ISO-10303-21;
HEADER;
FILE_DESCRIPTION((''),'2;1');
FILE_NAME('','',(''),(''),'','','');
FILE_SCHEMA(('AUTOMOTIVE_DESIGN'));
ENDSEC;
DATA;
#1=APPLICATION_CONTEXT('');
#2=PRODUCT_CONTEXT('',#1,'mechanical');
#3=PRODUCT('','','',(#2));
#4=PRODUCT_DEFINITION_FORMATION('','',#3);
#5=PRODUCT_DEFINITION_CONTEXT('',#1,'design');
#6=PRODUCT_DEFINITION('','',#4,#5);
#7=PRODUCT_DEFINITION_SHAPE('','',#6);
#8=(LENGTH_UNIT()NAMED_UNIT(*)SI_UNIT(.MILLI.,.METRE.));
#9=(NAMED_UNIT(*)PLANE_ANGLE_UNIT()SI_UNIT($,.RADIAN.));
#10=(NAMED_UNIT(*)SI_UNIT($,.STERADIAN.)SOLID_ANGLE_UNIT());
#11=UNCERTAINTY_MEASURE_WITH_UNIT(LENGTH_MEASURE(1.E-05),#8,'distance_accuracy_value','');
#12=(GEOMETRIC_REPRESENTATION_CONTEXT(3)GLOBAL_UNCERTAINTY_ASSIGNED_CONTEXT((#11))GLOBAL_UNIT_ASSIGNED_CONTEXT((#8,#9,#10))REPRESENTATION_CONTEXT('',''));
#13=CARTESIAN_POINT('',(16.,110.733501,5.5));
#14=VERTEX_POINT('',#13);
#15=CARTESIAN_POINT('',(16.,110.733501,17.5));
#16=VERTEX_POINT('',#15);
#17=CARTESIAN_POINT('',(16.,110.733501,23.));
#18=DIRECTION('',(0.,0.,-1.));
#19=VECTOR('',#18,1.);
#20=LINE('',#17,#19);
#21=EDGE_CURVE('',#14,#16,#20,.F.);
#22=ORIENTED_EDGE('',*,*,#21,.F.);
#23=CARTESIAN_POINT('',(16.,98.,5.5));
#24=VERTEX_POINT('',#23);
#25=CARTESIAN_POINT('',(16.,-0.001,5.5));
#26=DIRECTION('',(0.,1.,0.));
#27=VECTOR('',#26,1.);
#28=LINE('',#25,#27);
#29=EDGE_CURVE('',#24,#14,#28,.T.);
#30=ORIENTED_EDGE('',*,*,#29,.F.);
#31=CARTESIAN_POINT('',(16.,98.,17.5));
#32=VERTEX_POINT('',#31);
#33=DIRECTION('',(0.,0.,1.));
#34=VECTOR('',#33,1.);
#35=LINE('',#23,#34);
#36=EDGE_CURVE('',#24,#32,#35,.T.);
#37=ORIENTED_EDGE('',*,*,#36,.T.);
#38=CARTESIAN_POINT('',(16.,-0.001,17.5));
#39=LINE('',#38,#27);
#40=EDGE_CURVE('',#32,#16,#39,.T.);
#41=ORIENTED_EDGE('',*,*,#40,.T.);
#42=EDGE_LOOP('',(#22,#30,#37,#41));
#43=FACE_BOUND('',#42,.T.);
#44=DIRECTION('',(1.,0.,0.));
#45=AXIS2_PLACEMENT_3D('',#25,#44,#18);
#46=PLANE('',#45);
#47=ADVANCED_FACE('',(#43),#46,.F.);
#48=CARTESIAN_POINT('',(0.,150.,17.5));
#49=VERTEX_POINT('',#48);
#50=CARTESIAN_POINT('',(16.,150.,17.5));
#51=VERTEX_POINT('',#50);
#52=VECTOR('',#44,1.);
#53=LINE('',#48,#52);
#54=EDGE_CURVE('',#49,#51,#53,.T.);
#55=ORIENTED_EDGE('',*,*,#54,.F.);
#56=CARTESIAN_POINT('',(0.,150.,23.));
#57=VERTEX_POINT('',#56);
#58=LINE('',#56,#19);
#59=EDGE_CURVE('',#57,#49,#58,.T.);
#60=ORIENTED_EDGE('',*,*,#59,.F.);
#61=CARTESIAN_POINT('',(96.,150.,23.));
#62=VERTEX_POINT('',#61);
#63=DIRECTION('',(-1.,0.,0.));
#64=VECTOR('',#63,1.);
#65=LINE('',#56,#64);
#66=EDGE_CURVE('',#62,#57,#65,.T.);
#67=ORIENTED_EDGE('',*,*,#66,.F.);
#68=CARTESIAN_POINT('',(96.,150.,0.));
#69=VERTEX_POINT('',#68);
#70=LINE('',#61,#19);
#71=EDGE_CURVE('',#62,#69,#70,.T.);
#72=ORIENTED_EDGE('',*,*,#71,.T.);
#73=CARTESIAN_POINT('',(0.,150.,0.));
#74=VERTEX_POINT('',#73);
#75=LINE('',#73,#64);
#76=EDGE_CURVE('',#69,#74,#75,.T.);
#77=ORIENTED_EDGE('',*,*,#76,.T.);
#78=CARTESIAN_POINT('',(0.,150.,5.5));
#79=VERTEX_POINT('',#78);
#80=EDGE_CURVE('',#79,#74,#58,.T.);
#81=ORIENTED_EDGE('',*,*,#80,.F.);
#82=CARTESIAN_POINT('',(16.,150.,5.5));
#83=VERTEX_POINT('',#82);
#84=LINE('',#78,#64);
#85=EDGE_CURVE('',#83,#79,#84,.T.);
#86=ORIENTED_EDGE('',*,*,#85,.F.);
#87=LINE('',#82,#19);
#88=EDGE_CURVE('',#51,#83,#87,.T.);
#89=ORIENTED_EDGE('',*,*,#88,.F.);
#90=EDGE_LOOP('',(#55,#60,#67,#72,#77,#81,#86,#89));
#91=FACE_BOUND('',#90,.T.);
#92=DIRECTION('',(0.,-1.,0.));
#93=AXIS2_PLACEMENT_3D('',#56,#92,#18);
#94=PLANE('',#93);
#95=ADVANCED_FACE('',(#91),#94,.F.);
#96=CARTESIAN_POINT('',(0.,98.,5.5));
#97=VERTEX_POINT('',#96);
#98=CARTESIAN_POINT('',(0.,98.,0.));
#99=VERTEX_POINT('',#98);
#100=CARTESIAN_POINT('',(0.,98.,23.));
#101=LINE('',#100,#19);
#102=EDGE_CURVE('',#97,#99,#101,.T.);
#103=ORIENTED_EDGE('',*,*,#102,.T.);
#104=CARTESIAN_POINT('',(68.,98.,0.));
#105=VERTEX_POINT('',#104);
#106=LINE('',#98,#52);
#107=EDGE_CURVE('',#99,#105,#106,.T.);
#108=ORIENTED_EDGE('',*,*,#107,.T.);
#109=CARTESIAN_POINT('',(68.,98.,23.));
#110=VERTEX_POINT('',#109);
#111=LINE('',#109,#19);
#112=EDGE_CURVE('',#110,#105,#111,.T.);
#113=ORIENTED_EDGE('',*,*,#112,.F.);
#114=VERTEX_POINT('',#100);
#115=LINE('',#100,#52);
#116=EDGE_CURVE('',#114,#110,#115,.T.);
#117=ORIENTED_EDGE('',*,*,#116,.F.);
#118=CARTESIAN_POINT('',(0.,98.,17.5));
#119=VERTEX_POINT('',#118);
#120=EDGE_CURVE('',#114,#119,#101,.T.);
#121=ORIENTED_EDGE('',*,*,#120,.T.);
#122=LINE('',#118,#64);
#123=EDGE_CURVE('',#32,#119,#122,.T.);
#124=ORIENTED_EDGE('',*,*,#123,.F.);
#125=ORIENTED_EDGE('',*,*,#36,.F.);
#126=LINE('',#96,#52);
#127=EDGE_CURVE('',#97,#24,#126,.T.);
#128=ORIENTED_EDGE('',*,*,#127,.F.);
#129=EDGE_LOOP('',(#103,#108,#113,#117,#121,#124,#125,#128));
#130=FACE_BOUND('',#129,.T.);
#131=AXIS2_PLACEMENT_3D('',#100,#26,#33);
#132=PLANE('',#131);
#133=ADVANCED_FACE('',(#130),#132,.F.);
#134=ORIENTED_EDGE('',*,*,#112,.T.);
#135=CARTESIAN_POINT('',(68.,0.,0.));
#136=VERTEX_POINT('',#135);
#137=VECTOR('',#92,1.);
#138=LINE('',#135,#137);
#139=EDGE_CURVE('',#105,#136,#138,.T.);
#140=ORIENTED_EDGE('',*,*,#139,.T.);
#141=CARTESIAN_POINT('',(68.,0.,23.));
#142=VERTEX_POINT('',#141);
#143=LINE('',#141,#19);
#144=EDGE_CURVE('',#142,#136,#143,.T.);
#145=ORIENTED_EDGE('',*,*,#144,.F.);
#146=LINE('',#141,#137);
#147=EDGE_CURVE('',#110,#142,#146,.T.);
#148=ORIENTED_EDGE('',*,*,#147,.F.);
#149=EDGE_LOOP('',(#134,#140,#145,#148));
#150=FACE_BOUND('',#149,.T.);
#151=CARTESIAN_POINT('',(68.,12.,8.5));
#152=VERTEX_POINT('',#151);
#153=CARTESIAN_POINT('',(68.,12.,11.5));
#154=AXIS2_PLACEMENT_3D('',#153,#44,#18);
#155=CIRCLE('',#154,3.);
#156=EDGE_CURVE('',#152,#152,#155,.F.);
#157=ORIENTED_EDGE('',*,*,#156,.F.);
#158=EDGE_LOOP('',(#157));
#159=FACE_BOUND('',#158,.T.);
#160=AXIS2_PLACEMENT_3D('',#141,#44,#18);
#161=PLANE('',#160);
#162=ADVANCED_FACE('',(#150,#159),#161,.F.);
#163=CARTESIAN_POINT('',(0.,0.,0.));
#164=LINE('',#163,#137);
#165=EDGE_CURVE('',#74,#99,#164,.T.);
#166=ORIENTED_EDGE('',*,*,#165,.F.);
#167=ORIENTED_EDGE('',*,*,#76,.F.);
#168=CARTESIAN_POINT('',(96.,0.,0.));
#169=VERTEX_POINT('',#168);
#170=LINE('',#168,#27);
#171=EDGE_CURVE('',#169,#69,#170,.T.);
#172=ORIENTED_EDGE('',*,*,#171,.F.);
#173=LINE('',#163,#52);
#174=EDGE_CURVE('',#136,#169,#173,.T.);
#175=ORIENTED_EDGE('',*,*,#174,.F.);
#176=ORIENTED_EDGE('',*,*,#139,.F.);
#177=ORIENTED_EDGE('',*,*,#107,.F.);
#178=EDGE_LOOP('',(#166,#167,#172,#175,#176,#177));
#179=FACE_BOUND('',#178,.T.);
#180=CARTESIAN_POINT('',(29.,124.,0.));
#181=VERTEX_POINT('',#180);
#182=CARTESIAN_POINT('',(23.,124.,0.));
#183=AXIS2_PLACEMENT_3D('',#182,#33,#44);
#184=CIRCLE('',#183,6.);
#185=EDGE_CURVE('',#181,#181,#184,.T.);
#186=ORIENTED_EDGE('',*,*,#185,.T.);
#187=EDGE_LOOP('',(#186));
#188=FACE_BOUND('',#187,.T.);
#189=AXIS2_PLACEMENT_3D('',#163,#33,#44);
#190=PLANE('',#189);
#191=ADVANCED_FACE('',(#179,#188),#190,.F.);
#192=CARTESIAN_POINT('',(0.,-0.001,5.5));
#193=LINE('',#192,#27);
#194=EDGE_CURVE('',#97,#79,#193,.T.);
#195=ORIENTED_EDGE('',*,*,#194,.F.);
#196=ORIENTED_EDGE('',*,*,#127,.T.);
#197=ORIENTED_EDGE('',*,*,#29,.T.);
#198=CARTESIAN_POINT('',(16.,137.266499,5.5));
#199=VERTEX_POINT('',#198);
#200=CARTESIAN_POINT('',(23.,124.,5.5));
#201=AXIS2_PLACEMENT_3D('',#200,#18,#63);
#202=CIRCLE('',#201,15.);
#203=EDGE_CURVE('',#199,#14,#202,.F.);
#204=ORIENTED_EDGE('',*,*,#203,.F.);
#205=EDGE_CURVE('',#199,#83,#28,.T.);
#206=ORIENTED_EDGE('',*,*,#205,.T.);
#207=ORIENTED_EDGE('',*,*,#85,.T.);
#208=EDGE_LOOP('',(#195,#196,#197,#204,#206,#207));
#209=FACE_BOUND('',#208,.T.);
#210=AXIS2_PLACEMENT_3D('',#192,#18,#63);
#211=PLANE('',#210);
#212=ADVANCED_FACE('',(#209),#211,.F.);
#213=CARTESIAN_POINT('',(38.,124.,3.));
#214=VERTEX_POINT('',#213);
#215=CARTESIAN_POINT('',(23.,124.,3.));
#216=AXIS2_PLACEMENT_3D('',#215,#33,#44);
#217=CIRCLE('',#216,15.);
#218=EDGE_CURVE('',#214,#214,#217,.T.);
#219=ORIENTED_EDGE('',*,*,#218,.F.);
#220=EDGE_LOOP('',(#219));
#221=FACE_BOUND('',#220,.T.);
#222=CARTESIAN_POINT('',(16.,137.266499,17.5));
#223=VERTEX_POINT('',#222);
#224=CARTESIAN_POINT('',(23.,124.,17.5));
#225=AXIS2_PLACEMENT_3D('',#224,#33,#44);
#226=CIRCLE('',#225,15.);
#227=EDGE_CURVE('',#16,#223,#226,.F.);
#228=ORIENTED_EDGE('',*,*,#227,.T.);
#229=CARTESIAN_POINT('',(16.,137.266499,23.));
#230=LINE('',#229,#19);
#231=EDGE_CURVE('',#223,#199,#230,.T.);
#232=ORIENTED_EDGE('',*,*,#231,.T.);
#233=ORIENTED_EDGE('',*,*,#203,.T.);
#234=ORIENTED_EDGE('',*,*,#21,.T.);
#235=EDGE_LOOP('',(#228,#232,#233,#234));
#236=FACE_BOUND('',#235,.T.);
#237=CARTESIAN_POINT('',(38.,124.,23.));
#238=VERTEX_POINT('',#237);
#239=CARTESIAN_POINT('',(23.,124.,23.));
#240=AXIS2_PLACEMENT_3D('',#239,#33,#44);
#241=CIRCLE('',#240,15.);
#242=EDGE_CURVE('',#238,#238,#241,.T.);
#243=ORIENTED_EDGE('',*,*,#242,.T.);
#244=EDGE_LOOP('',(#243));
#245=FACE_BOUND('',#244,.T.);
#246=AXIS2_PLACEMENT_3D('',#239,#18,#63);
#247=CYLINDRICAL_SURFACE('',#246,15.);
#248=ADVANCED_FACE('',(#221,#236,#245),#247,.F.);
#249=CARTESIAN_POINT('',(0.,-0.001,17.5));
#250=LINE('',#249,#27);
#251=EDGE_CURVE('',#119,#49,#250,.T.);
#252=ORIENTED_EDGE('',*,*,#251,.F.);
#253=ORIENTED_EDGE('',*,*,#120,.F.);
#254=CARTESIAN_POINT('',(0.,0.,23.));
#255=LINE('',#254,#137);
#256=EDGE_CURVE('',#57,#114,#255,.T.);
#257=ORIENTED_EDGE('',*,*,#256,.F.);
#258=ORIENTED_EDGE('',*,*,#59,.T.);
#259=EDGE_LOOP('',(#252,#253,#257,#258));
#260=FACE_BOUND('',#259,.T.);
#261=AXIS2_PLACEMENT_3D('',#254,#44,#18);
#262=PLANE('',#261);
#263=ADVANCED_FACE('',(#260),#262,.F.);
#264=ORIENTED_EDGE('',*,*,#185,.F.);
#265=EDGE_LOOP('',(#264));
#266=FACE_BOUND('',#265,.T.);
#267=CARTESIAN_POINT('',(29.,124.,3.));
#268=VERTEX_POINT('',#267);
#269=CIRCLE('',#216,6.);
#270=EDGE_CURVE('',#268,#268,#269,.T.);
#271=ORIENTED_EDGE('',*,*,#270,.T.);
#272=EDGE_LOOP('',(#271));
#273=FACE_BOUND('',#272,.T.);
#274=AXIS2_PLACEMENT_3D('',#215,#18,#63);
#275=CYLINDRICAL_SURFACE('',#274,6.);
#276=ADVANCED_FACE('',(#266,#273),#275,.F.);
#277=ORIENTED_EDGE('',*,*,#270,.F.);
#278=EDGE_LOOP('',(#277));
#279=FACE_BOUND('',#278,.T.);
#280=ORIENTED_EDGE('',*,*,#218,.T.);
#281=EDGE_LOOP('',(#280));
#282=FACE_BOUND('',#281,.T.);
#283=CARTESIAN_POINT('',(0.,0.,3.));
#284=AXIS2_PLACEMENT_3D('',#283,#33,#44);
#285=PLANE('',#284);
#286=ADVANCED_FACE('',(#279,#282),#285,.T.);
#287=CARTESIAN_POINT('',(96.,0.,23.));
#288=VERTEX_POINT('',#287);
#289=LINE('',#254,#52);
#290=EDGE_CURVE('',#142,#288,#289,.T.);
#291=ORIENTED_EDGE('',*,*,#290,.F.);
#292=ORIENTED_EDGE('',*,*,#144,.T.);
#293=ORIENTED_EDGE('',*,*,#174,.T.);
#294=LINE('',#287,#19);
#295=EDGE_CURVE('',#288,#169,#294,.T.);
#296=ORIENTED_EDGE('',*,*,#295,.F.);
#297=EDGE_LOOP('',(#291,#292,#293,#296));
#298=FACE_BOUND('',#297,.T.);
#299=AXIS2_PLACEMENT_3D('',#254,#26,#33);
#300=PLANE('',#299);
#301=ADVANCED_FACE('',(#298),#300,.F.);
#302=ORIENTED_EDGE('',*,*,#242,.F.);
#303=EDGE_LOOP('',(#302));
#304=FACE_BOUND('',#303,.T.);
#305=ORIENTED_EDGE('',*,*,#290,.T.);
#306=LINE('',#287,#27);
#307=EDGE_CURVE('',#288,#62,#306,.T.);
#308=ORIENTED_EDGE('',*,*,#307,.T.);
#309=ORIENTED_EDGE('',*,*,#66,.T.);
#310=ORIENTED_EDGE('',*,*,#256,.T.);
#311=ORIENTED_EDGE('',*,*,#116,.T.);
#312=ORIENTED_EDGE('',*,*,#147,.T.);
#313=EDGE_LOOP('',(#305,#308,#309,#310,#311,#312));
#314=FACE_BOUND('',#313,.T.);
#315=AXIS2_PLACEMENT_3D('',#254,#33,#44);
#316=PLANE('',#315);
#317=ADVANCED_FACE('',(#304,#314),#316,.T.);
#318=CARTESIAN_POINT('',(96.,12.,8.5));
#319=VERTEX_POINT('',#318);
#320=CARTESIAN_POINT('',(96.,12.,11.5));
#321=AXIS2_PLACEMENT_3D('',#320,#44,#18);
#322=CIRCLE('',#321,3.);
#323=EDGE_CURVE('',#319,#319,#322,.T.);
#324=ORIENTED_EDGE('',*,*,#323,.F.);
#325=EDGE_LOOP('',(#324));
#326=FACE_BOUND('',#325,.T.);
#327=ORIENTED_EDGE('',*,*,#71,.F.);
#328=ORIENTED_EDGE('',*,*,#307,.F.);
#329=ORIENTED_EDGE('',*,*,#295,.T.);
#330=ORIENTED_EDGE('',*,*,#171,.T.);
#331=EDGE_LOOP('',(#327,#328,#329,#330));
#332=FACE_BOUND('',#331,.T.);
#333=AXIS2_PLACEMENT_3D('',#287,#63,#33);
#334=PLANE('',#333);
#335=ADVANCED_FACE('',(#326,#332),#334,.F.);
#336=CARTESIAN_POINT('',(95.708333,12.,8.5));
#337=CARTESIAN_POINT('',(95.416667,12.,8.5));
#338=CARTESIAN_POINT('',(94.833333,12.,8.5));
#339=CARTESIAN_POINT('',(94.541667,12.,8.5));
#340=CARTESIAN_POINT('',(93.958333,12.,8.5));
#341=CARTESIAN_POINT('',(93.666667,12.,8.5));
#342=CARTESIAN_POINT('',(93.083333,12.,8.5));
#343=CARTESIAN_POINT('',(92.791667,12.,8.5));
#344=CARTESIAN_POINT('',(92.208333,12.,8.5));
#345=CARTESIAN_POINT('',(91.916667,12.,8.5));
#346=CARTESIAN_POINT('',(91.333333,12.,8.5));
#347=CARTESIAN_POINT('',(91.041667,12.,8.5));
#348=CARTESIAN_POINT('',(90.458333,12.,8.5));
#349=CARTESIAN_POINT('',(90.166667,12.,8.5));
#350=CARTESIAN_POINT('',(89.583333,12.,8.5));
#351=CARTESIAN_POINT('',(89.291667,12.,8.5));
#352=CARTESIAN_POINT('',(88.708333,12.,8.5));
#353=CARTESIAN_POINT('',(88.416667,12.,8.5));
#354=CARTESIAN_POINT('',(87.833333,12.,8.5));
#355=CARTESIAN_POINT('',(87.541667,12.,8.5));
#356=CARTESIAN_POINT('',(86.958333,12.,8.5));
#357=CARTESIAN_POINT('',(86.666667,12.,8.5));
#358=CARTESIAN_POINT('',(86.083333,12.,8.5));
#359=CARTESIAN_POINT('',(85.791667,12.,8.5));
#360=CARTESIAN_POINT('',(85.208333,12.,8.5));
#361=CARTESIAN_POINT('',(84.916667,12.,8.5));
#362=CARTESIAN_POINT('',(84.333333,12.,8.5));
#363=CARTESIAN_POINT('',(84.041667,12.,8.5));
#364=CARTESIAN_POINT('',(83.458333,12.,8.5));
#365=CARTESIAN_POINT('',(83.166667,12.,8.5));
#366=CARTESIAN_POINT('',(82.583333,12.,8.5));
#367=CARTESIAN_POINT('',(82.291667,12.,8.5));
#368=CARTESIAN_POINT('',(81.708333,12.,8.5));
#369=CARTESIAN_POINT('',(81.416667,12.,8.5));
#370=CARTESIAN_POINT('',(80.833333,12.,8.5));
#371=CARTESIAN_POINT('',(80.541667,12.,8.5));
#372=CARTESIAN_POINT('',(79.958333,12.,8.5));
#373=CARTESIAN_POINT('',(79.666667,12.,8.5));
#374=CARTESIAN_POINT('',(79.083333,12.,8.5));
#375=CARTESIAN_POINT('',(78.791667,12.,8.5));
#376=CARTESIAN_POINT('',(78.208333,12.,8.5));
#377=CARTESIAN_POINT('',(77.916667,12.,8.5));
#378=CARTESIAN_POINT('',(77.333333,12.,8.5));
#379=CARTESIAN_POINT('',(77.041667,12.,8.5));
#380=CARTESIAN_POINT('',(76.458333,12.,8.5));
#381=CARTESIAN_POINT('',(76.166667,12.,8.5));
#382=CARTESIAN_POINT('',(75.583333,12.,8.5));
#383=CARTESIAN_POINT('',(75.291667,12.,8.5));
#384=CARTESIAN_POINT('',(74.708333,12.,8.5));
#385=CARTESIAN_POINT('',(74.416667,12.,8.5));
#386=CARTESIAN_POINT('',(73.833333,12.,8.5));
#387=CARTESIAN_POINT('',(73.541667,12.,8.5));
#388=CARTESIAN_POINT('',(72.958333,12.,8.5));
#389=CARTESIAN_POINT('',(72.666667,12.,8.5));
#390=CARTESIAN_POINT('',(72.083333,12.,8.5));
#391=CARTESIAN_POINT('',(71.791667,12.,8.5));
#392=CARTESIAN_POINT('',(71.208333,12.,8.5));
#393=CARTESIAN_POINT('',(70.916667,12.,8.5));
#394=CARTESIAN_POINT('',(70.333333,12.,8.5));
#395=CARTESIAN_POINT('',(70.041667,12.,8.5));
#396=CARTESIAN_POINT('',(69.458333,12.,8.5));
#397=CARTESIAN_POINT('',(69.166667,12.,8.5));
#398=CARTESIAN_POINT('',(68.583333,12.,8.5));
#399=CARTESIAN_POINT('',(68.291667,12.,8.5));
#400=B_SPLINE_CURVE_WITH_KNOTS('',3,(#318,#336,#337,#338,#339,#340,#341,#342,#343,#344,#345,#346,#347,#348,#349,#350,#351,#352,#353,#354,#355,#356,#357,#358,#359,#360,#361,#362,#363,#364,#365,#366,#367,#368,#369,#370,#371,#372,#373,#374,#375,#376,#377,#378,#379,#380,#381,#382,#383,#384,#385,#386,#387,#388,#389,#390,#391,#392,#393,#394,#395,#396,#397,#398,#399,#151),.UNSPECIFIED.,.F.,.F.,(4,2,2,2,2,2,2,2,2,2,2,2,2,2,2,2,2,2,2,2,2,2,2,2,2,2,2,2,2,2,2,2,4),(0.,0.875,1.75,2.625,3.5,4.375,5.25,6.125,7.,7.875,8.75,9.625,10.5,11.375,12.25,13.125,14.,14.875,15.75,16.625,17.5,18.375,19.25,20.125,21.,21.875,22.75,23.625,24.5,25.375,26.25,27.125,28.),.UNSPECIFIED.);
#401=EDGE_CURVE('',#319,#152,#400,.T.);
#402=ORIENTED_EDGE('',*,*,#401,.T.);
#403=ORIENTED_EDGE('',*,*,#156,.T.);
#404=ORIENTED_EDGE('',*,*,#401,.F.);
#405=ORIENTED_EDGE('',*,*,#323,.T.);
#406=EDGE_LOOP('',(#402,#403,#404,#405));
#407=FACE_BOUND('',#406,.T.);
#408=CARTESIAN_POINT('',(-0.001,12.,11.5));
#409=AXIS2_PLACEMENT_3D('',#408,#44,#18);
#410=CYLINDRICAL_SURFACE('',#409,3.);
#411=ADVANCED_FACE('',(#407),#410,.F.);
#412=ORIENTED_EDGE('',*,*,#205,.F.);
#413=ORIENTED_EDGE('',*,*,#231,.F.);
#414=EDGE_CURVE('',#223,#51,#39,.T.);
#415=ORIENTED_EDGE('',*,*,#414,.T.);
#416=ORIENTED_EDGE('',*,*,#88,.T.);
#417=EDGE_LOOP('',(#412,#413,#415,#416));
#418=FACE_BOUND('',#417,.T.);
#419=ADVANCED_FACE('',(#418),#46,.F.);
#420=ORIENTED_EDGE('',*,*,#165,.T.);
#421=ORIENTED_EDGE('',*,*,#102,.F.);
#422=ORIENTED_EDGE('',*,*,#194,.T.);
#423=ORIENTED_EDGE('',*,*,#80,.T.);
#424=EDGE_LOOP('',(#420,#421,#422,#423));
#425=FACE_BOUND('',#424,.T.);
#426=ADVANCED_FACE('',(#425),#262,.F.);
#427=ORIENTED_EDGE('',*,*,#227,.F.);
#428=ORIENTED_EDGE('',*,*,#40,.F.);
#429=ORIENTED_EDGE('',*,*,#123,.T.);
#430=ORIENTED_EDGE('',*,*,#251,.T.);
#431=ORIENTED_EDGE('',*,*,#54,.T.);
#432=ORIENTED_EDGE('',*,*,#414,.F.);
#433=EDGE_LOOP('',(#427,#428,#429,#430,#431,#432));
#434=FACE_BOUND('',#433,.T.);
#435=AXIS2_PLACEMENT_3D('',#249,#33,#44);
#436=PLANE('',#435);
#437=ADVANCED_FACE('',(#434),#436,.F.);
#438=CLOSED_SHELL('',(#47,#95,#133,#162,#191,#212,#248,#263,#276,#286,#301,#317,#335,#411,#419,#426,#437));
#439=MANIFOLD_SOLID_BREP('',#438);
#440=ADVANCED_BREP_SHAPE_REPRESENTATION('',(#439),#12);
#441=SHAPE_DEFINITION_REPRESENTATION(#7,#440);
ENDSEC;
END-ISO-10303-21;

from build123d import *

# Parameters (mm, degrees)
SKETCH1_R           = 15
BOSS_EXTRUDE1_DEPTH = 23
SKETCH1_3_R         = 15
SKETCH1_3_R_2       = 6
BOSS_EXTRUDE2_DEPTH = 3
CUT_EXTRUDE1_REACH  = 181.569
SKETCH2_W           = 16
SKETCH2_H           = 12
CUT_EXTRUDE2_REACH  = 181.569
SKETCH3_R           = 3


with BuildPart() as part:
    # Sketch1 → Boss-Extrude1 (new body)
    with BuildSketch(Plane.XY):
        Polygon((0, 98), (68, 98), (68, 0), (96, 0), (96, 150), (0, 150), align=None)
        with Locations((23, 124)):
            Circle(SKETCH1_R, mode=Mode.SUBTRACT)
    extrude(amount=BOSS_EXTRUDE1_DEPTH)

    # Sketch1<3> → Boss-Extrude2 (add)
    with BuildSketch(Plane.XY):
        with Locations((23, 124)):
            Circle(SKETCH1_3_R)
        with Locations((23, 124)):
            Circle(SKETCH1_3_R_2, mode=Mode.SUBTRACT)
    extrude(amount=BOSS_EXTRUDE2_DEPTH)

    # Sketch2 → Cut-Extrude1 (cut, up to next)
    with BuildSketch(Plane(origin=(0, 150, 0), x_dir=(1, 0, 0), z_dir=(0, 1, 0)), mode=Mode.PRIVATE) as cut_extrude1_sk1:
        with Locations((8, -11.5)):
            Rectangle(SKETCH2_W, SKETCH2_H)
    cut_extrude1_tool1 = extrude(cut_extrude1_sk1.sketch, amount=-CUT_EXTRUDE1_REACH, mode=Mode.PRIVATE) & part.part
    add(cut_extrude1_tool1.solids().sort_by_distance((8, 150, 11.5))[0], mode=Mode.SUBTRACT)

    # Sketch3 → Cut-Extrude2 (cut, up to next)
    with BuildSketch(Plane(origin=(96, 0, 0), x_dir=(0, 0, -1), z_dir=(1, 0, 0)), mode=Mode.PRIVATE) as cut_extrude2_sk1:
        with Locations((-11.5, 12)):
            Circle(SKETCH3_R)
    cut_extrude2_tool1 = extrude(cut_extrude2_sk1.sketch, amount=-CUT_EXTRUDE2_REACH, mode=Mode.PRIVATE) & part.part
    add(cut_extrude2_tool1.solids().sort_by_distance((96, 12, 11.5))[0], mode=Mode.SUBTRACT)


solid = part.part
